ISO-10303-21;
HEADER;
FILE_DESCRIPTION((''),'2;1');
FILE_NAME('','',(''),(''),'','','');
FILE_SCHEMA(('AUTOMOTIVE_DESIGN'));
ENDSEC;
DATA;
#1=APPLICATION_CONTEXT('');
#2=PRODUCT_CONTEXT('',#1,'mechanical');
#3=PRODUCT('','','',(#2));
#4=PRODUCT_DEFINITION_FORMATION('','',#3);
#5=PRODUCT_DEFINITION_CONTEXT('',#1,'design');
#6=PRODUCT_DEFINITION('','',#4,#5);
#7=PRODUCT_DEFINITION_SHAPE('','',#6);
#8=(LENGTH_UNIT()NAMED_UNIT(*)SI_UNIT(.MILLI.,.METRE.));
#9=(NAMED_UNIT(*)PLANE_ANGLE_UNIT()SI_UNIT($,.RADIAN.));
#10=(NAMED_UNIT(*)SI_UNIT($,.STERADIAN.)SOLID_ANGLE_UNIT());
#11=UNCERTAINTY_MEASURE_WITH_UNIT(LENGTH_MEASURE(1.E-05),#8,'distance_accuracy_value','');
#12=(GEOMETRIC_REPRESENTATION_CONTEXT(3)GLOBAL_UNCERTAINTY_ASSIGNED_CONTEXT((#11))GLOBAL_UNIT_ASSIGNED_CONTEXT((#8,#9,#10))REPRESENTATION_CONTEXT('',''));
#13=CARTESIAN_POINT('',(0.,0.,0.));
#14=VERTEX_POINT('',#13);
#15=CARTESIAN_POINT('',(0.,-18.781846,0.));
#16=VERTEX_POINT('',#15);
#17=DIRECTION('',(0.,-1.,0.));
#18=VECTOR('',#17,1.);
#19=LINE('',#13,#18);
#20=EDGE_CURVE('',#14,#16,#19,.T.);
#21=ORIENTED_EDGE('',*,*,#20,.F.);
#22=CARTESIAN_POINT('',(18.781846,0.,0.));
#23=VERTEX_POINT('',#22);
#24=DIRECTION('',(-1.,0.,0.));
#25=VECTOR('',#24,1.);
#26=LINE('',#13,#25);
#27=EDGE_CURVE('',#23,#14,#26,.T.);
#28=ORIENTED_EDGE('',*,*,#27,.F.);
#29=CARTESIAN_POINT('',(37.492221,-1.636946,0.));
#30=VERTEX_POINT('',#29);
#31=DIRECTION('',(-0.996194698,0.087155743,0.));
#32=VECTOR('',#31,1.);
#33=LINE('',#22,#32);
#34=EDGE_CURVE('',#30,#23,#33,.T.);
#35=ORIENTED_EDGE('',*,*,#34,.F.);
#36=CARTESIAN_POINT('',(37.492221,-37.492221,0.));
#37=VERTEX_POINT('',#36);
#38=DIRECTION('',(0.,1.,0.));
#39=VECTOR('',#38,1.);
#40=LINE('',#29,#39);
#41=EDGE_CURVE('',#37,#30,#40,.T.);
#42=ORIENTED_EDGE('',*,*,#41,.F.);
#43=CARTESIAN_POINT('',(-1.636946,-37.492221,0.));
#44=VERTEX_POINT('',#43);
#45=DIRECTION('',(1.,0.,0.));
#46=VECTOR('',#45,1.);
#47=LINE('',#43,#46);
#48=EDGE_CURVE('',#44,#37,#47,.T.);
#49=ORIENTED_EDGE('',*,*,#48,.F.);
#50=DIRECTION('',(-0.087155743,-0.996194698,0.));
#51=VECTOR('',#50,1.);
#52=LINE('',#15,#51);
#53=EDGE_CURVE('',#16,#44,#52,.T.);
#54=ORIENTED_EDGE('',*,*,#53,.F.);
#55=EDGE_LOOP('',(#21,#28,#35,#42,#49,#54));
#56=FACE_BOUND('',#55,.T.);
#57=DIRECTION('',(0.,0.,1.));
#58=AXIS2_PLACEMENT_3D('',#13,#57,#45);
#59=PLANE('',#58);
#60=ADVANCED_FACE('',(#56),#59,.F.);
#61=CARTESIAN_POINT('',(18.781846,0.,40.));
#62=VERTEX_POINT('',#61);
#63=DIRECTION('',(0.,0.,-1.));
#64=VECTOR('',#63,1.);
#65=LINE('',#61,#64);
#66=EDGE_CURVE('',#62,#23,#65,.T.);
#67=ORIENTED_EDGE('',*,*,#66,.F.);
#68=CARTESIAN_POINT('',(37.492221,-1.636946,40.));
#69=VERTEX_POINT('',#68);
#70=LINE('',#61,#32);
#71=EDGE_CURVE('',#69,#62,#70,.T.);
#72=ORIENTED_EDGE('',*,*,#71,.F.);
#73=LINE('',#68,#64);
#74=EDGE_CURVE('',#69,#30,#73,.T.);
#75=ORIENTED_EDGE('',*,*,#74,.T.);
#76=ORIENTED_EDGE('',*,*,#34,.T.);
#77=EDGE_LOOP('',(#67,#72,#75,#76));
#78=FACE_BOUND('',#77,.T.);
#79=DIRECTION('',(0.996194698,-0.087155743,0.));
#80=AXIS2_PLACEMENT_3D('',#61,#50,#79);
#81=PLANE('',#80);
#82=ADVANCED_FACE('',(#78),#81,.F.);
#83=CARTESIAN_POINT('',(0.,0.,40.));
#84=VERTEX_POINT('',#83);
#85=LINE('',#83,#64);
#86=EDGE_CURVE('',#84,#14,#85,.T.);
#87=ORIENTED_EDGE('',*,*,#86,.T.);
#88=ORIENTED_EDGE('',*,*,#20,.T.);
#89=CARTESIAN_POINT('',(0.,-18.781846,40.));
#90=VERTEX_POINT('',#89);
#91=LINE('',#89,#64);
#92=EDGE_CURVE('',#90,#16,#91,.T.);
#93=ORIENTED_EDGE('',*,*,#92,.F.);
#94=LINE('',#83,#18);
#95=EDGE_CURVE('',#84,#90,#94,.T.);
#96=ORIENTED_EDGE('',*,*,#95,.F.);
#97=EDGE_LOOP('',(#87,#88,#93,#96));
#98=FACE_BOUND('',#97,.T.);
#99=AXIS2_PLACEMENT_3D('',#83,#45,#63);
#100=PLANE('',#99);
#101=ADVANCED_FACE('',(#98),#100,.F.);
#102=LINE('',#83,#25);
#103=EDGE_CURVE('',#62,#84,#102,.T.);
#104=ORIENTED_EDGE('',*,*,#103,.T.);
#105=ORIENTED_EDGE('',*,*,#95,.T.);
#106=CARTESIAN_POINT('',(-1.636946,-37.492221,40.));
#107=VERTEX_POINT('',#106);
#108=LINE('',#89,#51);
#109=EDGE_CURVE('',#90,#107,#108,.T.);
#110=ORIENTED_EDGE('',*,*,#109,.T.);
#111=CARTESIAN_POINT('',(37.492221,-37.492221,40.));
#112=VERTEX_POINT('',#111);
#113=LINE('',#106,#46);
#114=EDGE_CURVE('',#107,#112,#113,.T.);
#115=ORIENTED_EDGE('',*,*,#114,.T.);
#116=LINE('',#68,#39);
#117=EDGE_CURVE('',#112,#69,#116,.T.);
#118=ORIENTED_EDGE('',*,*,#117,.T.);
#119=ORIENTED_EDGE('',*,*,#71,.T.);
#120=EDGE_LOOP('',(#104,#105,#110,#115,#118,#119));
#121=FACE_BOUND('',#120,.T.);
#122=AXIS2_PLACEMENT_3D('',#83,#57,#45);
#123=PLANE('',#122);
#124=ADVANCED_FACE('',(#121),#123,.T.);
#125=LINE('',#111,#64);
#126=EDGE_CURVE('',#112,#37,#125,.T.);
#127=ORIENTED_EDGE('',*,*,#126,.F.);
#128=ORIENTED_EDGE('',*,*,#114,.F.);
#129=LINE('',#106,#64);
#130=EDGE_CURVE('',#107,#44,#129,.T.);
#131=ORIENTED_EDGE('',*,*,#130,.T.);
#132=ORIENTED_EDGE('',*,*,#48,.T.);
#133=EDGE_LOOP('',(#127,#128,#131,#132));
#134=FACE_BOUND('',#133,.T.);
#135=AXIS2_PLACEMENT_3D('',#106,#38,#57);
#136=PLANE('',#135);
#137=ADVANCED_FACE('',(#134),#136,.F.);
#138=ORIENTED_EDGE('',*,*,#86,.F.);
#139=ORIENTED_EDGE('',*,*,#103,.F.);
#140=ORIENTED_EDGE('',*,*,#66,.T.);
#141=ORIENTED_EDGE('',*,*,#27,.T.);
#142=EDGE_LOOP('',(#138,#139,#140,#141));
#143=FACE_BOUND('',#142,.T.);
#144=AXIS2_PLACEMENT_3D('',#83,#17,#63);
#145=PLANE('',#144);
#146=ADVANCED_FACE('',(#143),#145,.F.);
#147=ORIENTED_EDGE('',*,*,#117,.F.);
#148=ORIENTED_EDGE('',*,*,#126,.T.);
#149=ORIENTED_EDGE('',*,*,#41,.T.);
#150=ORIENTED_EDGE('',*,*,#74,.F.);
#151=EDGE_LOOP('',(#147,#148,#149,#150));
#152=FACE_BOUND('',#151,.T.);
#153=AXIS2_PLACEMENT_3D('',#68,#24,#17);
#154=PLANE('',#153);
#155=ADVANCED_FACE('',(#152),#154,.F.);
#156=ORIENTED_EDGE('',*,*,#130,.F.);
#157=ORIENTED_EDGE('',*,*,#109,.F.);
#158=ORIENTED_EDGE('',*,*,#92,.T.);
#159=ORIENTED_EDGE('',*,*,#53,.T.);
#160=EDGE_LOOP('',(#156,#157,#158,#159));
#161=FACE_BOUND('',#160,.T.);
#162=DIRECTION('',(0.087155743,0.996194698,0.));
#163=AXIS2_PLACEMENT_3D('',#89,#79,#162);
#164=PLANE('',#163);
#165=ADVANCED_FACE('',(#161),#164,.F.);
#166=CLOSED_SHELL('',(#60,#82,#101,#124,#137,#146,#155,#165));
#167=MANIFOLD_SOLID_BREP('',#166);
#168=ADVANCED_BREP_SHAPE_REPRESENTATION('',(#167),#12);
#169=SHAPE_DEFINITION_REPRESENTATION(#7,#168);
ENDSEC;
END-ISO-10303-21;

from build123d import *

# Parameters (mm, degrees)
AUFSATZ_LINEAR_AUSTRAGEN1_DEPTH = 40


with BuildPart() as part:
    # Skizze1 → Aufsatz-Linear austragen1 (new body)
    with BuildSketch(Plane.XY):
        Polygon((0, -18.781845947), (-1.636945734, -37.492221299), (37.492221299, -37.492221299), (37.492221299, -1.636945734), (18.781845947, 0), (0, 0), align=None)
    extrude(amount=AUFSATZ_LINEAR_AUSTRAGEN1_DEPTH)


solid = part.part
